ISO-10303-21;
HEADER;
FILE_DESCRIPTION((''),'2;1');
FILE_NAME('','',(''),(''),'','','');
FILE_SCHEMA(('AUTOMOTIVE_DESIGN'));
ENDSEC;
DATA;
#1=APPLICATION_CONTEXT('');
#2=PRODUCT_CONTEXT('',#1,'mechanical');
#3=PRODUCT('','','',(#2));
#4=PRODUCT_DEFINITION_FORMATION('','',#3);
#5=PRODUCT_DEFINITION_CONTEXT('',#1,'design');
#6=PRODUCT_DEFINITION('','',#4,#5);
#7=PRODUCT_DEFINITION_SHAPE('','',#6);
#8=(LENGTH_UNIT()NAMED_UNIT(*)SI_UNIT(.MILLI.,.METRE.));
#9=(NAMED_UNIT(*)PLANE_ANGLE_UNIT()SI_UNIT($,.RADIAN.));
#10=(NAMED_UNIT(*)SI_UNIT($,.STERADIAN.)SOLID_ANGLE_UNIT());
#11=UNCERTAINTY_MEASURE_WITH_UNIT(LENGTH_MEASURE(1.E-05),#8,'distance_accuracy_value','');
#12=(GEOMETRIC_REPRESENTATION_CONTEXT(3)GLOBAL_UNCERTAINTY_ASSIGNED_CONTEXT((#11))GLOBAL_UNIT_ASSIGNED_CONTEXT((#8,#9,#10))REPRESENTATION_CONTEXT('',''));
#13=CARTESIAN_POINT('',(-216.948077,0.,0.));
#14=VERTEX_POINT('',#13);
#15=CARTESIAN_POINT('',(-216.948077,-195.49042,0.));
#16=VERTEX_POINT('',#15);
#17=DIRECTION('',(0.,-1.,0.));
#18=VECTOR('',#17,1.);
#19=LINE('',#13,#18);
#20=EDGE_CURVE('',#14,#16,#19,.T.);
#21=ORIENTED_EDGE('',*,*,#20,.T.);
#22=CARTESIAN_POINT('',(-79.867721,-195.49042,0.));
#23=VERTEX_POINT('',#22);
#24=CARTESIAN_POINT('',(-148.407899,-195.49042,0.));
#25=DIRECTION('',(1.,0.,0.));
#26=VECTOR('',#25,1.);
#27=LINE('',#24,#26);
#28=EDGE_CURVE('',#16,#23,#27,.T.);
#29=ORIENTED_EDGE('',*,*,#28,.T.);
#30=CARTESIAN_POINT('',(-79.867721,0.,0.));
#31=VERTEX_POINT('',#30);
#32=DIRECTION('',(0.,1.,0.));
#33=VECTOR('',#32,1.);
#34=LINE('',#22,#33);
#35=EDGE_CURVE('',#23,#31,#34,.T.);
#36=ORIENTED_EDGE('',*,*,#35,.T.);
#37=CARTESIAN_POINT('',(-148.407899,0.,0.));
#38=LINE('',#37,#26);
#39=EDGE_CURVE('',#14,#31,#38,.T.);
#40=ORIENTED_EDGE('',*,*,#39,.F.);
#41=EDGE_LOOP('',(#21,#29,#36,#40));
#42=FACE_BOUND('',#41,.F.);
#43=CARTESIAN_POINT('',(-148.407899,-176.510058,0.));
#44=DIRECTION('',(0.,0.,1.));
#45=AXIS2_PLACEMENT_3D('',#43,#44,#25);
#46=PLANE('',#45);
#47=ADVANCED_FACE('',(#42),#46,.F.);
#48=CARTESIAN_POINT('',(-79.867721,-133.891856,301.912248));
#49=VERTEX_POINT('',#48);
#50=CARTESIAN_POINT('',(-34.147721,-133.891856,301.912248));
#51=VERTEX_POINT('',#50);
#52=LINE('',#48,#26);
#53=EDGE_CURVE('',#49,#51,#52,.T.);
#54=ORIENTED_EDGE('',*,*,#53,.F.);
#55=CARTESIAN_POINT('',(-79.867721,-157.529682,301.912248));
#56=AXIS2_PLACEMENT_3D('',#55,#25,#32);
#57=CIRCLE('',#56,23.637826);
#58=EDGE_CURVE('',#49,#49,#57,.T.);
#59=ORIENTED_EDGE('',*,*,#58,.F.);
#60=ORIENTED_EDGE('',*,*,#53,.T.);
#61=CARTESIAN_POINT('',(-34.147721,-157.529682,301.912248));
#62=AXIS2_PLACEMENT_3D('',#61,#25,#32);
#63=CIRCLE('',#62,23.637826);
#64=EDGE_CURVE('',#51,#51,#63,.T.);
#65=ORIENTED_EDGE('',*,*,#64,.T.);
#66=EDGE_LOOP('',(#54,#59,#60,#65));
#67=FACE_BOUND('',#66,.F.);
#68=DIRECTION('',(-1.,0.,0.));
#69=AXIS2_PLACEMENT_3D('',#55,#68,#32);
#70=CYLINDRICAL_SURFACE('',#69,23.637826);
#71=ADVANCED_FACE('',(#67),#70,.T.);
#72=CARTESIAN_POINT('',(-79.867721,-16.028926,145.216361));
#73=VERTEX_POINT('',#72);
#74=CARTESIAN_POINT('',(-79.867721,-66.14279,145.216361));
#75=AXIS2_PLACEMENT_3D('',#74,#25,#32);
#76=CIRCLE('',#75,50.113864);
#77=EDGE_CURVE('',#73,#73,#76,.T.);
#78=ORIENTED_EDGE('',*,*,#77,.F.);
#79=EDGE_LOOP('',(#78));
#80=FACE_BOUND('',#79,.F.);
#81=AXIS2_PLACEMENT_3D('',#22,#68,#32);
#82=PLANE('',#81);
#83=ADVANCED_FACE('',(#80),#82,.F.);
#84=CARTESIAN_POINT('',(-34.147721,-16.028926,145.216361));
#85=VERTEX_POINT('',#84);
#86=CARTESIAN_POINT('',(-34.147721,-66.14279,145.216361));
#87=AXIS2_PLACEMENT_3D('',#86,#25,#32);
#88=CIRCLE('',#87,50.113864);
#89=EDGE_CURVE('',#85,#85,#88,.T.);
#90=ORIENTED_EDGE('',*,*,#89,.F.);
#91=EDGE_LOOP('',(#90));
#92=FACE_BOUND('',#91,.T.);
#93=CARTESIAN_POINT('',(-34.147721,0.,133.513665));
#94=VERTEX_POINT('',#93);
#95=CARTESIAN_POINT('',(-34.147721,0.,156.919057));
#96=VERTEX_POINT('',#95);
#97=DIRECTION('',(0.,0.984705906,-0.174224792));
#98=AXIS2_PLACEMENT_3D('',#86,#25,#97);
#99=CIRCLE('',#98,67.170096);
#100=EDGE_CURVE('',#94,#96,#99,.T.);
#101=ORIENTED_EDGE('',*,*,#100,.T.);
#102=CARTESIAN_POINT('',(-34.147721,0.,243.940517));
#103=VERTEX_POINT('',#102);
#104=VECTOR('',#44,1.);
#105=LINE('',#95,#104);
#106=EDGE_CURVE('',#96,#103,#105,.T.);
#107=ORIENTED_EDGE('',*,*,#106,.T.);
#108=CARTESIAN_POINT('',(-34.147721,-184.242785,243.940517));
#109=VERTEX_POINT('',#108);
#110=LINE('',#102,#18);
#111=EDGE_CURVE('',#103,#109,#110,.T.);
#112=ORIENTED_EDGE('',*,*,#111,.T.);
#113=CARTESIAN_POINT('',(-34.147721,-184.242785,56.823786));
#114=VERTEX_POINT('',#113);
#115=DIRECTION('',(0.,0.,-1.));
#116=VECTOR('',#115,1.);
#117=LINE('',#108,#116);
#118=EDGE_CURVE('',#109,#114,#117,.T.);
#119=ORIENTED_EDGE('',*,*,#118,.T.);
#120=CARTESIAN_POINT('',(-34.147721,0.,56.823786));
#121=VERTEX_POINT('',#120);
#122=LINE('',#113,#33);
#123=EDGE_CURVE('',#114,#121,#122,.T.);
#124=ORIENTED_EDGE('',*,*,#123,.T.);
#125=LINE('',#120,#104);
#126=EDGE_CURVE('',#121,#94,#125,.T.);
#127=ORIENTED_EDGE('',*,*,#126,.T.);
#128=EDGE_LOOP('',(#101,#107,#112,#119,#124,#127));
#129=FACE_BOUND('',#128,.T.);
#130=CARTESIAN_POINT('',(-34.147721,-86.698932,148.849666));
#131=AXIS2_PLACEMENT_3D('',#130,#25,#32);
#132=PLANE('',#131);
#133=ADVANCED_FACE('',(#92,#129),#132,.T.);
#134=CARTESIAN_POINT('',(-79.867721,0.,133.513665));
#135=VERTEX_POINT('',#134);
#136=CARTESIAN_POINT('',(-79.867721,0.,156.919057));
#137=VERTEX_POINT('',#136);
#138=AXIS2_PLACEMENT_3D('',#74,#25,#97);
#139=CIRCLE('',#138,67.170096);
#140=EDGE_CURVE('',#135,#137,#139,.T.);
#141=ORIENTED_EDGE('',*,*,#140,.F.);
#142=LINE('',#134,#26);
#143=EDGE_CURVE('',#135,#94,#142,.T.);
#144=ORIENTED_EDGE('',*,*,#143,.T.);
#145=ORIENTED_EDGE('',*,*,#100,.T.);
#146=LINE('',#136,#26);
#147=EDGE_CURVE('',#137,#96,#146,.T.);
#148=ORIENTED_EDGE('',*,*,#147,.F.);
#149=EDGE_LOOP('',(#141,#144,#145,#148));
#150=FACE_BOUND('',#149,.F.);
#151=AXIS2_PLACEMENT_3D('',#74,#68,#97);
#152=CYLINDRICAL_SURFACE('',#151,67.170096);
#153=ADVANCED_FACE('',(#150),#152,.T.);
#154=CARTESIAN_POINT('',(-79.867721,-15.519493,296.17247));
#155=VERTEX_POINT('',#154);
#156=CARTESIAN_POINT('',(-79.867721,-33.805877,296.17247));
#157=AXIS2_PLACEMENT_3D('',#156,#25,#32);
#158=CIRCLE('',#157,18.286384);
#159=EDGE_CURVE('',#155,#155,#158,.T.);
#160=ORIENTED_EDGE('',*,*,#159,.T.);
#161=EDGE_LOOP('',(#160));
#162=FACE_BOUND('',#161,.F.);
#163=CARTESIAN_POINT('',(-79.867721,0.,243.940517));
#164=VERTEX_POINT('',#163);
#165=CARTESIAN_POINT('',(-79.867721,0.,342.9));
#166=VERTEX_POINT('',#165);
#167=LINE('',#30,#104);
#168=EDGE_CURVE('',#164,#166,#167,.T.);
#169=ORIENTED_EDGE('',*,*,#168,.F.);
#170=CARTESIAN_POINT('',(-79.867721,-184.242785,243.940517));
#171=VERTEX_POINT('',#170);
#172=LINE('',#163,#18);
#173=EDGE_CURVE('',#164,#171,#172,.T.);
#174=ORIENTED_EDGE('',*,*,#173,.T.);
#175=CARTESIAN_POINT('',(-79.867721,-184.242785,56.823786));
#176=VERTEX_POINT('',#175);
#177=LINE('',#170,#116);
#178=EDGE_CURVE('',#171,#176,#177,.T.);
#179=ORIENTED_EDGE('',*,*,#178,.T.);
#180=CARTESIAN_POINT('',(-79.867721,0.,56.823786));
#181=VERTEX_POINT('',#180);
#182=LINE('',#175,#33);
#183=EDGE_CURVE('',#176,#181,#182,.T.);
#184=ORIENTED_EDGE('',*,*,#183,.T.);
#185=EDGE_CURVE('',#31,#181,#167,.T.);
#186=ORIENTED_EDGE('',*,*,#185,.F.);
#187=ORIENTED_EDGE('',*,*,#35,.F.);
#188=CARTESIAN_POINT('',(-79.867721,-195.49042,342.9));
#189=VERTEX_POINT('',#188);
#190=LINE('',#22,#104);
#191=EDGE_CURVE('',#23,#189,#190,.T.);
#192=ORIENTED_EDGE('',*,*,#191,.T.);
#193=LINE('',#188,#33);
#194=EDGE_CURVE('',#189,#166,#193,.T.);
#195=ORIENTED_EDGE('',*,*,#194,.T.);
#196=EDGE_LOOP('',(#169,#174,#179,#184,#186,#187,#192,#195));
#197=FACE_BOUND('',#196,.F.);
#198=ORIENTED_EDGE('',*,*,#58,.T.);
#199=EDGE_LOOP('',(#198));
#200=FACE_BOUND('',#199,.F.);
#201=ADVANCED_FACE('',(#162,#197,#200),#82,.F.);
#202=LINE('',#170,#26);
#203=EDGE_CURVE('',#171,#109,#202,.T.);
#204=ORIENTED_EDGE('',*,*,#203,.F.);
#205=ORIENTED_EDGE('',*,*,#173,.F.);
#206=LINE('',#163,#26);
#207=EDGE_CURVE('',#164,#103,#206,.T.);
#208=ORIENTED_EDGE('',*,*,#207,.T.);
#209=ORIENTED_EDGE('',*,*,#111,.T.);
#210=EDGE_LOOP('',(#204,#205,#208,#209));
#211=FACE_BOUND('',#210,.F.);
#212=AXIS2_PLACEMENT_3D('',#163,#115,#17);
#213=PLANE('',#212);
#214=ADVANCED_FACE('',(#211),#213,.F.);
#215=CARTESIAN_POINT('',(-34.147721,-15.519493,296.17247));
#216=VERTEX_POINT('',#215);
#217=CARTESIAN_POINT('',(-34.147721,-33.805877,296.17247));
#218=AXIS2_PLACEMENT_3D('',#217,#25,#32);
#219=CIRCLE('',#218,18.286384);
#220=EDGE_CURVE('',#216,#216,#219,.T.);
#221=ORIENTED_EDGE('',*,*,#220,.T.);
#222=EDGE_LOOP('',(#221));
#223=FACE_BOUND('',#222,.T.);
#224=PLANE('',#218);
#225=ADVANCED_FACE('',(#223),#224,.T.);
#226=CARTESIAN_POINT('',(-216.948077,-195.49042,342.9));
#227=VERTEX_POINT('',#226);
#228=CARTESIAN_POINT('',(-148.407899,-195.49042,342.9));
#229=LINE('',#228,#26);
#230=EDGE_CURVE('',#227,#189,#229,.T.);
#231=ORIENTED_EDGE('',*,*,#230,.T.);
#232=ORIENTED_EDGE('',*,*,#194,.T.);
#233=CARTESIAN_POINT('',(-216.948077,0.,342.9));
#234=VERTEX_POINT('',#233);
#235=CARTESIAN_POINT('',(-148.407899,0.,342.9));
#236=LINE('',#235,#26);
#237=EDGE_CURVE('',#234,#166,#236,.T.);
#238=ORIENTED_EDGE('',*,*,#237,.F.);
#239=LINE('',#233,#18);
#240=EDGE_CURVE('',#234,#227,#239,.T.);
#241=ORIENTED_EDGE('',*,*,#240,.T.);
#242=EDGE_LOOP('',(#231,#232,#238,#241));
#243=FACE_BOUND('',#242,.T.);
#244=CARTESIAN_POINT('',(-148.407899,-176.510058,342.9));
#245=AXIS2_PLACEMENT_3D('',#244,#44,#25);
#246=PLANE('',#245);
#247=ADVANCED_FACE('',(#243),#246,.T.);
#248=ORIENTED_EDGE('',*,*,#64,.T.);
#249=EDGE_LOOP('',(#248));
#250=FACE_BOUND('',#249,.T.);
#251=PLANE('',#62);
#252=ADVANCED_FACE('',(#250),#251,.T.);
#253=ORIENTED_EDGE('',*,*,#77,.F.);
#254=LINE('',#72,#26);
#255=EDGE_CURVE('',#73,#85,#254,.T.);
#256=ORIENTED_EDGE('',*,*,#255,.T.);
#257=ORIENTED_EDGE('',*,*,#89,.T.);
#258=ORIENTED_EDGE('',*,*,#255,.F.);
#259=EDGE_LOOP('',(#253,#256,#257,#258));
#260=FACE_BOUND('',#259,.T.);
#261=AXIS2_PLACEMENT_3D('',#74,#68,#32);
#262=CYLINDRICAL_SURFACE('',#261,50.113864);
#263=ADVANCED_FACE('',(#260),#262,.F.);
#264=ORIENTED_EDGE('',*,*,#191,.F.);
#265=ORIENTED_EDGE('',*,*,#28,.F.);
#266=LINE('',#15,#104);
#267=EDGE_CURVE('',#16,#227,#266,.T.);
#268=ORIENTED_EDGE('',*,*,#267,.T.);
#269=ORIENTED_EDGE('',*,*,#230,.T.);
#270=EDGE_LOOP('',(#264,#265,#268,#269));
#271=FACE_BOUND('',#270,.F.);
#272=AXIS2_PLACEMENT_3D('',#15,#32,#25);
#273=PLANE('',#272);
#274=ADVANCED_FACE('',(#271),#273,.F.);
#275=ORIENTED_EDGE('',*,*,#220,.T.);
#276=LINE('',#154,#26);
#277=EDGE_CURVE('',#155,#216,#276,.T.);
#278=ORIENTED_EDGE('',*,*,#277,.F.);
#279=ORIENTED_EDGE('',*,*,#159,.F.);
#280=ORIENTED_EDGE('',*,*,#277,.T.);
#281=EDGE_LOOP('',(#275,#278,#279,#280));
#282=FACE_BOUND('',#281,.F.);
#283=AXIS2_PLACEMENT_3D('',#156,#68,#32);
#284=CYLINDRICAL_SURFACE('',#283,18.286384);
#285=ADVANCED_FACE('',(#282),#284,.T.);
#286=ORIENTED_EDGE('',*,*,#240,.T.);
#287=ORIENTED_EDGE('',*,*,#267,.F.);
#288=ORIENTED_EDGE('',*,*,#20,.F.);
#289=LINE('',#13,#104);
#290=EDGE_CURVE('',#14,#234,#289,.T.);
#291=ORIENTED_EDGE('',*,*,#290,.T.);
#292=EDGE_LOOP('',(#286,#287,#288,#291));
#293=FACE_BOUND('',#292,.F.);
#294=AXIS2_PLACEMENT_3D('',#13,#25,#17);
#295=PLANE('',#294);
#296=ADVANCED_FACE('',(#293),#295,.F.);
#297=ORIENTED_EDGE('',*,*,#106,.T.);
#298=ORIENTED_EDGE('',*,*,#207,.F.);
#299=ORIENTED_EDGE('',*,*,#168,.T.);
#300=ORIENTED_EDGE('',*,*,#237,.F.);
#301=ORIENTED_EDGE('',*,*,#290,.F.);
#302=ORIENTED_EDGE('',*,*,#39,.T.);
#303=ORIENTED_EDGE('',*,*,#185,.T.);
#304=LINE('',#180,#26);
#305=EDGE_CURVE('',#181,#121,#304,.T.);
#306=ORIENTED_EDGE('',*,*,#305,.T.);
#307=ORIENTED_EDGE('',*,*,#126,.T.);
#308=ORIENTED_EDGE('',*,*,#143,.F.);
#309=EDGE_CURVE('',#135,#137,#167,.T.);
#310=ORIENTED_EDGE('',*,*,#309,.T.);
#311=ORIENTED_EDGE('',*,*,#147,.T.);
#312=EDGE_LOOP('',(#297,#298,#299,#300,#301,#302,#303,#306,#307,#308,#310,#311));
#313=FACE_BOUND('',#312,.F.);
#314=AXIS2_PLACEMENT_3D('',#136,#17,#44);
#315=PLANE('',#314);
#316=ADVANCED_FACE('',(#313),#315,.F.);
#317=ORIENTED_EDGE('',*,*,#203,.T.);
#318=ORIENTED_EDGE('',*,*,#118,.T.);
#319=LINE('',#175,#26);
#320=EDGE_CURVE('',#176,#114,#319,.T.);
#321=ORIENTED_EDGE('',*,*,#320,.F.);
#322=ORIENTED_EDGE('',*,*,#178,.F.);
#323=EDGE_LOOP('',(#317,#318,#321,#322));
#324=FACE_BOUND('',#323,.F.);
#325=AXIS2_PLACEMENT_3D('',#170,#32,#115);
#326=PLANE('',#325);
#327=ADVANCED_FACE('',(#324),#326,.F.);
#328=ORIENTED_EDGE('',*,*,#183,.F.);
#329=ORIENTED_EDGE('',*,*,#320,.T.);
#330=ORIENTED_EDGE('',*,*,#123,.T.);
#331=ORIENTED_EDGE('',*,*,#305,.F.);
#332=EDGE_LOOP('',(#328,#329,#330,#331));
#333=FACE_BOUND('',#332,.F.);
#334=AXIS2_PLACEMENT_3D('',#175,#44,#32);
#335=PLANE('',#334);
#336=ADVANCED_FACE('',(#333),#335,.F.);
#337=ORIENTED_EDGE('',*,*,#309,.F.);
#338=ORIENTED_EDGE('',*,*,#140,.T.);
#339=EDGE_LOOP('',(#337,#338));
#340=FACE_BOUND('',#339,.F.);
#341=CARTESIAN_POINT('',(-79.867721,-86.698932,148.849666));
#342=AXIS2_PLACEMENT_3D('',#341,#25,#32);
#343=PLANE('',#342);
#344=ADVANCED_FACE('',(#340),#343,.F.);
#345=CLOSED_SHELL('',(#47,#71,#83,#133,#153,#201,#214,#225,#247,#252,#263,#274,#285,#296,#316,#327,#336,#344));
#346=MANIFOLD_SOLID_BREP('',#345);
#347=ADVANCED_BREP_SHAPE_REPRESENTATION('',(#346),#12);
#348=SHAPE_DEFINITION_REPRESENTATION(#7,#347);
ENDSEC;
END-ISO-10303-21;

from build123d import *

# Parameters (mm, degrees)
F0_W     = 137.0803564787
F0_H     = 37.9607230425
F0_H_2   = 157.5296968222
F1_DEPTH = 342.9
F2_R     = 50.113864144
F2_R_2   = 23.6378262426
F2_R_3   = 18.2863843725
F3_DEPTH = 45.72


with BuildPart() as f1:
    # F0 (on Top) → F1 (new body)
    with BuildSketch(Plane.XY):
        with Locations((-148.4078988433, -176.5100583434)):
            Rectangle(F0_W, F0_H)
        with Locations((-148.4078988433, -78.7648484111)):
            Rectangle(F0_W, F0_H_2)
    extrude(amount=F1_DEPTH)

    # F2 (on face) → F3 (join)
    with BuildSketch(Plane.YZ.offset(-79.8677206039)):
        with BuildLine():
            Line((0, 243.9405173063), (-184.242784977, 243.9405173063))
            Line((-184.242784977, 243.9405173063), (-184.242784977, 56.8237863481))
            Line((-184.242784977, 56.8237863481), (0, 56.8237863481))
            Line((0, 56.8237863481), (0, 133.513664758))
            ThreePointArc((0, 133.513664758), (-133.3128857735, 145.2163606882), (0, 156.9190566184))
            Line((0, 156.9190566184), (0, 243.9405173063))
        make_face()
        with BuildLine():
            ThreePointArc((1.0273057345, 145.2163606882), (0.7699864236, 151.0902105566), (0, 156.9190566184))
            Line((0, 156.9190566184), (0, 133.513664758))
            ThreePointArc((0, 133.513664758), (0.7699864236, 139.3425108198), (1.0273057345, 145.2163606882))
        make_face()
        with BuildLine():
            Line((0, 133.513664758), (0, 156.9190566184))
            ThreePointArc((0, 156.9190566184), (-133.3128857735, 145.2163606882), (0, 133.513664758))
        make_face()
        with Locations((-66.1427900195, 145.2163606882)):
            Circle(F2_R, mode=Mode.SUBTRACT)
        with Locations((-157.529681921, 301.9122481346)):
            Circle(F2_R_2)
        with Locations((-33.8058769703, 296.1724698544)):
            Circle(F2_R_3)
    extrude(amount=F3_DEPTH)


solid = f1.part
